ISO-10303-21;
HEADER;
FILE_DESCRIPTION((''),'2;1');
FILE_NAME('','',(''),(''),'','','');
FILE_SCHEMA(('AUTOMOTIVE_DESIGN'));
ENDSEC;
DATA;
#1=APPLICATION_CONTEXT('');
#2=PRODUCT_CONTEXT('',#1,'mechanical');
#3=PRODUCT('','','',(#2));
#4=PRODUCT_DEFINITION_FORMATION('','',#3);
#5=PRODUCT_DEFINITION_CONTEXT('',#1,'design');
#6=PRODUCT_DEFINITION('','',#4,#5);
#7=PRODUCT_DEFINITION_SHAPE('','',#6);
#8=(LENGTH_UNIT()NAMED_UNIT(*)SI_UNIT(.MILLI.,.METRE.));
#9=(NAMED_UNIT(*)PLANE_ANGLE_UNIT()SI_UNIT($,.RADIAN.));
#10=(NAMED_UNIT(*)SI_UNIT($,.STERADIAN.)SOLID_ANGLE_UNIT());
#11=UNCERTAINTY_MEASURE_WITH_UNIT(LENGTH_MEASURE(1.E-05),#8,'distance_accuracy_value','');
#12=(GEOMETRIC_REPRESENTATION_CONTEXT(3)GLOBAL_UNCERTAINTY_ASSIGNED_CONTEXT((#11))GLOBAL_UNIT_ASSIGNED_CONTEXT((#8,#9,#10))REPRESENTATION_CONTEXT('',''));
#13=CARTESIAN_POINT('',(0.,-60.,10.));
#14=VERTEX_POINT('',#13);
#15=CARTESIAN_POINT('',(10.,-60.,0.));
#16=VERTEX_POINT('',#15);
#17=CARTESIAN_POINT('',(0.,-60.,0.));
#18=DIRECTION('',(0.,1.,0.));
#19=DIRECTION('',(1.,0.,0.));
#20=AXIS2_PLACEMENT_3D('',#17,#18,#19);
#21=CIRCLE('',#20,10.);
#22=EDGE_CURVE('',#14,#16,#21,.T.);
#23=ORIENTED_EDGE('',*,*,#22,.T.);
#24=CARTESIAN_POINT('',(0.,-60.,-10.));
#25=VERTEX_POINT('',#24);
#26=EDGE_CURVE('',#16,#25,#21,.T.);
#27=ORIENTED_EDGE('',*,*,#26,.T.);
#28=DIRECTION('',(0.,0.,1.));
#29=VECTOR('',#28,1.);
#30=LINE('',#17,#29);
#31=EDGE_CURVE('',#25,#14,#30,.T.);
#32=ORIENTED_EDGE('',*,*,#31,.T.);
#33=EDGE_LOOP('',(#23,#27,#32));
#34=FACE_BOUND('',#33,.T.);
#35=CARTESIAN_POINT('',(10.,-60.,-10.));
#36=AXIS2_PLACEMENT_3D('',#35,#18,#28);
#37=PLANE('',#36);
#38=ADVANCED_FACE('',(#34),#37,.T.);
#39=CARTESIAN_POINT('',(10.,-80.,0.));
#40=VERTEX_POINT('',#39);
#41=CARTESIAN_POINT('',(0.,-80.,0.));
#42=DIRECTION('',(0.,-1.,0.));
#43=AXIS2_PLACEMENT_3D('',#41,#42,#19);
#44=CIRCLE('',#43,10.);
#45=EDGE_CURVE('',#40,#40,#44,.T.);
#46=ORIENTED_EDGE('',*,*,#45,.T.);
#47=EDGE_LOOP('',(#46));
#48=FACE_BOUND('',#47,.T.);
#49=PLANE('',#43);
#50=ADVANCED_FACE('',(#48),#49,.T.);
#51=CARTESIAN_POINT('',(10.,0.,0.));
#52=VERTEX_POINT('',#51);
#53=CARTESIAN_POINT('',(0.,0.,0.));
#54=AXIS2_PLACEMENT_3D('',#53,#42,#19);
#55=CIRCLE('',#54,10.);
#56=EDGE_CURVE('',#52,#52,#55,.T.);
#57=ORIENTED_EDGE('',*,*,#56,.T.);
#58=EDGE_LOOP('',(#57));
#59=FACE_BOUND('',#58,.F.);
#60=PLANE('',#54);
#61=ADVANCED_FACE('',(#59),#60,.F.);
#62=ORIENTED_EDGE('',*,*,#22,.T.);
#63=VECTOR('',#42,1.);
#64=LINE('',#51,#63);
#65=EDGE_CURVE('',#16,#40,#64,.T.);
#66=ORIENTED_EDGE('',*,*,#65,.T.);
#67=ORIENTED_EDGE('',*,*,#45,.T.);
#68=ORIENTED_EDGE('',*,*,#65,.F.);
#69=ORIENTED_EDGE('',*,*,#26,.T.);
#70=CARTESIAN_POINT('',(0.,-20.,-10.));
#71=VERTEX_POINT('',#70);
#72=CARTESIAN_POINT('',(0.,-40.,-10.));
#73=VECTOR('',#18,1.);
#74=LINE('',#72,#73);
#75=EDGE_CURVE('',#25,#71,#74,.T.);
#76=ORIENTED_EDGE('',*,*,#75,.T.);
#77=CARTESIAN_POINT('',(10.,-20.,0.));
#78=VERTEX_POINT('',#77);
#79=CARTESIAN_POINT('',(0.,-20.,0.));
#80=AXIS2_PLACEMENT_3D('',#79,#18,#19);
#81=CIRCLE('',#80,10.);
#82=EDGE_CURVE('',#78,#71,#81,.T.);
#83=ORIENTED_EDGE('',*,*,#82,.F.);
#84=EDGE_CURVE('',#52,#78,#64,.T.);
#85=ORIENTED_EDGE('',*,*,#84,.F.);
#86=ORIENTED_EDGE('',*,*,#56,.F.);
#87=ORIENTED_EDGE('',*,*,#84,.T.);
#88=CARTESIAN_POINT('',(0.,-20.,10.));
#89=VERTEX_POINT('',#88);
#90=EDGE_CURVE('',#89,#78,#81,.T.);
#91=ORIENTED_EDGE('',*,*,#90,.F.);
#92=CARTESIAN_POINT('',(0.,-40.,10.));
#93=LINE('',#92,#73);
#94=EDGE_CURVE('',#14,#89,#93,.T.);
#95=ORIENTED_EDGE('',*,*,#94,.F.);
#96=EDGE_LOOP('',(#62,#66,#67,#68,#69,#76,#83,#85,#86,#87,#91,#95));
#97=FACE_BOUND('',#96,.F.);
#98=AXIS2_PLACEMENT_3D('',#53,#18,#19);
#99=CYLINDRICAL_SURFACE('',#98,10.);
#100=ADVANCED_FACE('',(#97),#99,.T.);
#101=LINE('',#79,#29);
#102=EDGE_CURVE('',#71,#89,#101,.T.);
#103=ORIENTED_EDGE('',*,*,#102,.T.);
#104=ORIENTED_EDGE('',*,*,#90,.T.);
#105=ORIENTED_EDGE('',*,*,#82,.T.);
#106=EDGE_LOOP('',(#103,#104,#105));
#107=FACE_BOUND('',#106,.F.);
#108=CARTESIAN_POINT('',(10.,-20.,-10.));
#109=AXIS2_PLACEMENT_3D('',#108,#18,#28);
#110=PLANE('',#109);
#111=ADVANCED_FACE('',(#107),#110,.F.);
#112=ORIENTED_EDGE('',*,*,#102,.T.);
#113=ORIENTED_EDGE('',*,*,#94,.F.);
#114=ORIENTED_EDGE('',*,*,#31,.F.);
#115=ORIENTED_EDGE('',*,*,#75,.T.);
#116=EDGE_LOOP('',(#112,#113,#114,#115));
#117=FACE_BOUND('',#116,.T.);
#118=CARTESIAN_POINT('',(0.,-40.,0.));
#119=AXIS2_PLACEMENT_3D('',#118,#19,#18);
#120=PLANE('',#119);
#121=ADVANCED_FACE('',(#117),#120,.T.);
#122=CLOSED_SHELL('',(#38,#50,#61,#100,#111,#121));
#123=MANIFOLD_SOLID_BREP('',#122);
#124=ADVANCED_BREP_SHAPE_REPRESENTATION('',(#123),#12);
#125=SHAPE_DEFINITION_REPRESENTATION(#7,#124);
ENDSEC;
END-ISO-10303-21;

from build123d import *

# Parameters (mm, degrees)
F0_R     = 10
F1_DEPTH = 80
F3_W     = 40
F3_H     = 20
F4_DEPTH = 10


with BuildPart() as f1:
    # F0 (on Front) → F1 (new body)
    with BuildSketch(Plane.XZ):
        Circle(F0_R)
    extrude(amount=F1_DEPTH)

    # F3 (on offset) → F4 (cut)
    with BuildSketch(Plane.YZ.offset(10)):
        with Locations((-40, 0)):
            Rectangle(F3_W, F3_H)
    extrude(amount=-F4_DEPTH, mode=Mode.SUBTRACT)


solid = f1.part
